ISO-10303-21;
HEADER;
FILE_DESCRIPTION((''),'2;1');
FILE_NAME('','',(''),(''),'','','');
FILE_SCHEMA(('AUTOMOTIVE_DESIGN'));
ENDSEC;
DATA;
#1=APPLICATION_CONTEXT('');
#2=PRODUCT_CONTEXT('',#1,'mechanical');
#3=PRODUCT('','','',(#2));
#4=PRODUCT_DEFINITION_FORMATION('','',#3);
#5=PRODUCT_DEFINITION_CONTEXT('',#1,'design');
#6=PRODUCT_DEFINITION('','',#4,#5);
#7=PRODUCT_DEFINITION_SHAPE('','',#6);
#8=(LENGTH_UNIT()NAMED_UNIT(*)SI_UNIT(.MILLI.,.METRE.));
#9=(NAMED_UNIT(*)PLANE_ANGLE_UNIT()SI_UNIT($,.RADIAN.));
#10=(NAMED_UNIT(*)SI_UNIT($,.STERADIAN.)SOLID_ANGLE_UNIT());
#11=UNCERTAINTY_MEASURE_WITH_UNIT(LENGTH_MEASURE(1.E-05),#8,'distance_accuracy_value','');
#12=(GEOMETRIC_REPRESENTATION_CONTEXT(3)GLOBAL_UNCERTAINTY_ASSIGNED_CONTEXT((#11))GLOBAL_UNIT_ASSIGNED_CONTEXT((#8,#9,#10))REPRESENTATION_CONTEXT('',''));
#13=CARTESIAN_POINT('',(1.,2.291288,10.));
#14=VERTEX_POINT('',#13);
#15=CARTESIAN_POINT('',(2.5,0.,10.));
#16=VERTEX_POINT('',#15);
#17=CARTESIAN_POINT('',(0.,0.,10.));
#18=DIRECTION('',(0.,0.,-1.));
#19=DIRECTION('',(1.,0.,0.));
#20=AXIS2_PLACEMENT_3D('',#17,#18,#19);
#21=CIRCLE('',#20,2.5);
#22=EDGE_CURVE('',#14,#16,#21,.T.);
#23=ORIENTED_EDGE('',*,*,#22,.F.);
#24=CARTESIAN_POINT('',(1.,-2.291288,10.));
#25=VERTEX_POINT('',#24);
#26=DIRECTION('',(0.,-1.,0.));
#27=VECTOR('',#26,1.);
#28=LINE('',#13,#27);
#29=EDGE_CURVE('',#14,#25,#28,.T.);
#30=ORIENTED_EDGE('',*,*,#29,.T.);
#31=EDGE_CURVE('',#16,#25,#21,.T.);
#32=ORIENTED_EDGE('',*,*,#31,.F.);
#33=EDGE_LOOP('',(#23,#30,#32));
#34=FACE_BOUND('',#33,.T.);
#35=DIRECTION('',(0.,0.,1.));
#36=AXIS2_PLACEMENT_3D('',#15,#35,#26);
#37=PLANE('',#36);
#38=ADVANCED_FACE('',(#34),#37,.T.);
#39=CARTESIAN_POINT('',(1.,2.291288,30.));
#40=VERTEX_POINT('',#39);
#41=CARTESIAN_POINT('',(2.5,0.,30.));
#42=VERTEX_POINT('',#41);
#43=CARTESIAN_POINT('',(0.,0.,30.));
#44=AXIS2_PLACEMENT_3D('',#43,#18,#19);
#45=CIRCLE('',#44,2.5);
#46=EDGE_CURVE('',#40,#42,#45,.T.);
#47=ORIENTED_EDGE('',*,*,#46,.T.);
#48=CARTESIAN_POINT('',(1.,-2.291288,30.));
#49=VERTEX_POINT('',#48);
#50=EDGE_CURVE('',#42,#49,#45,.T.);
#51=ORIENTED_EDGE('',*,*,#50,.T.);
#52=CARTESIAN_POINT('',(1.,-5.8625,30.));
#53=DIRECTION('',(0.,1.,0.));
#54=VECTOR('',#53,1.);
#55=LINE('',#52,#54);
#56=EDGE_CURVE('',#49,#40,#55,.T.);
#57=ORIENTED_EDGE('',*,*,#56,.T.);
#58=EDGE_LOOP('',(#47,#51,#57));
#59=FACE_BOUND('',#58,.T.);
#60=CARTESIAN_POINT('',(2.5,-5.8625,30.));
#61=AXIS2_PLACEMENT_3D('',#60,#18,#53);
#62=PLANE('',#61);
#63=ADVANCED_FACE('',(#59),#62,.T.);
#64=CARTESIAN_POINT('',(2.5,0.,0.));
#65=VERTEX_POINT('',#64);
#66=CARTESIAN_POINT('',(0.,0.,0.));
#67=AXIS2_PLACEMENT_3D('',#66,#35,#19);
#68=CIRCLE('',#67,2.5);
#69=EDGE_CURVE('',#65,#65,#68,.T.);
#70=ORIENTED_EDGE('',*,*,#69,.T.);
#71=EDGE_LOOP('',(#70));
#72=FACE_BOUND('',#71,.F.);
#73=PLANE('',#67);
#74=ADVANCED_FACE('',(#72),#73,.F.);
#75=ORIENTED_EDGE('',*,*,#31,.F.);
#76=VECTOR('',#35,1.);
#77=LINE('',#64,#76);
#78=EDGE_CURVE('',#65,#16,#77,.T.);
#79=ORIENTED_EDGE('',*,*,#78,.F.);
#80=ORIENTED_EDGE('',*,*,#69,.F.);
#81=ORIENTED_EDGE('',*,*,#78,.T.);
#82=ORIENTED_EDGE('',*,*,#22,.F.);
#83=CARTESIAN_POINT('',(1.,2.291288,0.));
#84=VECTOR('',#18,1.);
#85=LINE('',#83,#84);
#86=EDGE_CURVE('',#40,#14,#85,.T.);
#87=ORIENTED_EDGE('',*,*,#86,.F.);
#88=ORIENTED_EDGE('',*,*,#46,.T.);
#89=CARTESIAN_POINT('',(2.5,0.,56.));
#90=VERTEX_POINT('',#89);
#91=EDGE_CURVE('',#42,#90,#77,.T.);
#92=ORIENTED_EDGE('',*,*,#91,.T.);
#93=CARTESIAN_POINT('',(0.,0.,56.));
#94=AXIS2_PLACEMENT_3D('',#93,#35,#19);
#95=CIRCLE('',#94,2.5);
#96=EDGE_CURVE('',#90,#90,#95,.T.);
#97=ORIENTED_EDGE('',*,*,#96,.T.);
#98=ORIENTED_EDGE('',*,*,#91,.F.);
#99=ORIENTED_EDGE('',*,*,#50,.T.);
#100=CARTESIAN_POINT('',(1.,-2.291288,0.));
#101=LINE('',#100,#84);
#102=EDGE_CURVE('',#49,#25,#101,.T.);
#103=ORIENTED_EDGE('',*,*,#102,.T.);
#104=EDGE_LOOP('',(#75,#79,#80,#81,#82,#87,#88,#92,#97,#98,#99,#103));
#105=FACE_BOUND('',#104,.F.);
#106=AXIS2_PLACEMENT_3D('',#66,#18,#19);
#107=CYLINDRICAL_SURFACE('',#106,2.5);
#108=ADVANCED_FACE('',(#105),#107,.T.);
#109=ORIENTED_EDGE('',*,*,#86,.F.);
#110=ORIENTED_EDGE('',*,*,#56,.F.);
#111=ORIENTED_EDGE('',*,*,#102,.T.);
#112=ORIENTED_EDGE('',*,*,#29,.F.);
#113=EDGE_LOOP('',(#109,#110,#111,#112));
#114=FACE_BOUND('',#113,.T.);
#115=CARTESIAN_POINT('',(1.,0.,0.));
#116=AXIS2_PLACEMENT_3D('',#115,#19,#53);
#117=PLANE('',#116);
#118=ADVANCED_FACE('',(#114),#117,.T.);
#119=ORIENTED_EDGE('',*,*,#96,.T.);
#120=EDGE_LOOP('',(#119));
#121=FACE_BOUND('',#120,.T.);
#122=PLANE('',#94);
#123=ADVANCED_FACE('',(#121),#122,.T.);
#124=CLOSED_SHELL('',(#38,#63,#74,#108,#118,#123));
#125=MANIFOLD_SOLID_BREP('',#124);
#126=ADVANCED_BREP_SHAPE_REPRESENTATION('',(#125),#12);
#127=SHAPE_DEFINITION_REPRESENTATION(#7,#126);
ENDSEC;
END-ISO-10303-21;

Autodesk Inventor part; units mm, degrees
ref_plane "XZ Plane" through (0, 0, 0) normal (0, 1, 0) x (-1, 0, 0)
ref_plane "XY Plane" through (0, 0, 0) normal (0, 0, 1) x (1, 0, 0)
sketch "Boceto1" plane through (0, 0, 0) normal (0, 0, 1) x (1, 0, 0)
  circle A0 centre (0, 0) radius 2.5
  dimension "d0" = 5
extrude "Extrusión1" add sketch "Boceto1" along normal blind 56
ref_plane "Plano de trabajo1" through (2.5, 0, 0) normal (1, 0, 0) x (0, 1, 0)
sketch "Boceto2" plane through (2.5, 0, 0) normal (1, 0, 0) x (0, 1, 0)
  line L0 (0, 0) -> (0, 10)
  line L1 (0, 10) -> (5.8177, 10)
  line L2 (5.8177, 10) -> (5.8177, 30)
  line L3 (0, 10) -> (-5.8625, 10)
  line L4 (-5.8625, 10) -> (-5.8625, 30)
  line L5 (-5.8625, 30) -> (5.8177, 30)
  dimension "d3" = 10
  dimension "d4" = 20
extrude "Extrusión2" cut sketch "Boceto2" against normal blind 1.5
properties part number "eje" material "Aluminio 6061"
